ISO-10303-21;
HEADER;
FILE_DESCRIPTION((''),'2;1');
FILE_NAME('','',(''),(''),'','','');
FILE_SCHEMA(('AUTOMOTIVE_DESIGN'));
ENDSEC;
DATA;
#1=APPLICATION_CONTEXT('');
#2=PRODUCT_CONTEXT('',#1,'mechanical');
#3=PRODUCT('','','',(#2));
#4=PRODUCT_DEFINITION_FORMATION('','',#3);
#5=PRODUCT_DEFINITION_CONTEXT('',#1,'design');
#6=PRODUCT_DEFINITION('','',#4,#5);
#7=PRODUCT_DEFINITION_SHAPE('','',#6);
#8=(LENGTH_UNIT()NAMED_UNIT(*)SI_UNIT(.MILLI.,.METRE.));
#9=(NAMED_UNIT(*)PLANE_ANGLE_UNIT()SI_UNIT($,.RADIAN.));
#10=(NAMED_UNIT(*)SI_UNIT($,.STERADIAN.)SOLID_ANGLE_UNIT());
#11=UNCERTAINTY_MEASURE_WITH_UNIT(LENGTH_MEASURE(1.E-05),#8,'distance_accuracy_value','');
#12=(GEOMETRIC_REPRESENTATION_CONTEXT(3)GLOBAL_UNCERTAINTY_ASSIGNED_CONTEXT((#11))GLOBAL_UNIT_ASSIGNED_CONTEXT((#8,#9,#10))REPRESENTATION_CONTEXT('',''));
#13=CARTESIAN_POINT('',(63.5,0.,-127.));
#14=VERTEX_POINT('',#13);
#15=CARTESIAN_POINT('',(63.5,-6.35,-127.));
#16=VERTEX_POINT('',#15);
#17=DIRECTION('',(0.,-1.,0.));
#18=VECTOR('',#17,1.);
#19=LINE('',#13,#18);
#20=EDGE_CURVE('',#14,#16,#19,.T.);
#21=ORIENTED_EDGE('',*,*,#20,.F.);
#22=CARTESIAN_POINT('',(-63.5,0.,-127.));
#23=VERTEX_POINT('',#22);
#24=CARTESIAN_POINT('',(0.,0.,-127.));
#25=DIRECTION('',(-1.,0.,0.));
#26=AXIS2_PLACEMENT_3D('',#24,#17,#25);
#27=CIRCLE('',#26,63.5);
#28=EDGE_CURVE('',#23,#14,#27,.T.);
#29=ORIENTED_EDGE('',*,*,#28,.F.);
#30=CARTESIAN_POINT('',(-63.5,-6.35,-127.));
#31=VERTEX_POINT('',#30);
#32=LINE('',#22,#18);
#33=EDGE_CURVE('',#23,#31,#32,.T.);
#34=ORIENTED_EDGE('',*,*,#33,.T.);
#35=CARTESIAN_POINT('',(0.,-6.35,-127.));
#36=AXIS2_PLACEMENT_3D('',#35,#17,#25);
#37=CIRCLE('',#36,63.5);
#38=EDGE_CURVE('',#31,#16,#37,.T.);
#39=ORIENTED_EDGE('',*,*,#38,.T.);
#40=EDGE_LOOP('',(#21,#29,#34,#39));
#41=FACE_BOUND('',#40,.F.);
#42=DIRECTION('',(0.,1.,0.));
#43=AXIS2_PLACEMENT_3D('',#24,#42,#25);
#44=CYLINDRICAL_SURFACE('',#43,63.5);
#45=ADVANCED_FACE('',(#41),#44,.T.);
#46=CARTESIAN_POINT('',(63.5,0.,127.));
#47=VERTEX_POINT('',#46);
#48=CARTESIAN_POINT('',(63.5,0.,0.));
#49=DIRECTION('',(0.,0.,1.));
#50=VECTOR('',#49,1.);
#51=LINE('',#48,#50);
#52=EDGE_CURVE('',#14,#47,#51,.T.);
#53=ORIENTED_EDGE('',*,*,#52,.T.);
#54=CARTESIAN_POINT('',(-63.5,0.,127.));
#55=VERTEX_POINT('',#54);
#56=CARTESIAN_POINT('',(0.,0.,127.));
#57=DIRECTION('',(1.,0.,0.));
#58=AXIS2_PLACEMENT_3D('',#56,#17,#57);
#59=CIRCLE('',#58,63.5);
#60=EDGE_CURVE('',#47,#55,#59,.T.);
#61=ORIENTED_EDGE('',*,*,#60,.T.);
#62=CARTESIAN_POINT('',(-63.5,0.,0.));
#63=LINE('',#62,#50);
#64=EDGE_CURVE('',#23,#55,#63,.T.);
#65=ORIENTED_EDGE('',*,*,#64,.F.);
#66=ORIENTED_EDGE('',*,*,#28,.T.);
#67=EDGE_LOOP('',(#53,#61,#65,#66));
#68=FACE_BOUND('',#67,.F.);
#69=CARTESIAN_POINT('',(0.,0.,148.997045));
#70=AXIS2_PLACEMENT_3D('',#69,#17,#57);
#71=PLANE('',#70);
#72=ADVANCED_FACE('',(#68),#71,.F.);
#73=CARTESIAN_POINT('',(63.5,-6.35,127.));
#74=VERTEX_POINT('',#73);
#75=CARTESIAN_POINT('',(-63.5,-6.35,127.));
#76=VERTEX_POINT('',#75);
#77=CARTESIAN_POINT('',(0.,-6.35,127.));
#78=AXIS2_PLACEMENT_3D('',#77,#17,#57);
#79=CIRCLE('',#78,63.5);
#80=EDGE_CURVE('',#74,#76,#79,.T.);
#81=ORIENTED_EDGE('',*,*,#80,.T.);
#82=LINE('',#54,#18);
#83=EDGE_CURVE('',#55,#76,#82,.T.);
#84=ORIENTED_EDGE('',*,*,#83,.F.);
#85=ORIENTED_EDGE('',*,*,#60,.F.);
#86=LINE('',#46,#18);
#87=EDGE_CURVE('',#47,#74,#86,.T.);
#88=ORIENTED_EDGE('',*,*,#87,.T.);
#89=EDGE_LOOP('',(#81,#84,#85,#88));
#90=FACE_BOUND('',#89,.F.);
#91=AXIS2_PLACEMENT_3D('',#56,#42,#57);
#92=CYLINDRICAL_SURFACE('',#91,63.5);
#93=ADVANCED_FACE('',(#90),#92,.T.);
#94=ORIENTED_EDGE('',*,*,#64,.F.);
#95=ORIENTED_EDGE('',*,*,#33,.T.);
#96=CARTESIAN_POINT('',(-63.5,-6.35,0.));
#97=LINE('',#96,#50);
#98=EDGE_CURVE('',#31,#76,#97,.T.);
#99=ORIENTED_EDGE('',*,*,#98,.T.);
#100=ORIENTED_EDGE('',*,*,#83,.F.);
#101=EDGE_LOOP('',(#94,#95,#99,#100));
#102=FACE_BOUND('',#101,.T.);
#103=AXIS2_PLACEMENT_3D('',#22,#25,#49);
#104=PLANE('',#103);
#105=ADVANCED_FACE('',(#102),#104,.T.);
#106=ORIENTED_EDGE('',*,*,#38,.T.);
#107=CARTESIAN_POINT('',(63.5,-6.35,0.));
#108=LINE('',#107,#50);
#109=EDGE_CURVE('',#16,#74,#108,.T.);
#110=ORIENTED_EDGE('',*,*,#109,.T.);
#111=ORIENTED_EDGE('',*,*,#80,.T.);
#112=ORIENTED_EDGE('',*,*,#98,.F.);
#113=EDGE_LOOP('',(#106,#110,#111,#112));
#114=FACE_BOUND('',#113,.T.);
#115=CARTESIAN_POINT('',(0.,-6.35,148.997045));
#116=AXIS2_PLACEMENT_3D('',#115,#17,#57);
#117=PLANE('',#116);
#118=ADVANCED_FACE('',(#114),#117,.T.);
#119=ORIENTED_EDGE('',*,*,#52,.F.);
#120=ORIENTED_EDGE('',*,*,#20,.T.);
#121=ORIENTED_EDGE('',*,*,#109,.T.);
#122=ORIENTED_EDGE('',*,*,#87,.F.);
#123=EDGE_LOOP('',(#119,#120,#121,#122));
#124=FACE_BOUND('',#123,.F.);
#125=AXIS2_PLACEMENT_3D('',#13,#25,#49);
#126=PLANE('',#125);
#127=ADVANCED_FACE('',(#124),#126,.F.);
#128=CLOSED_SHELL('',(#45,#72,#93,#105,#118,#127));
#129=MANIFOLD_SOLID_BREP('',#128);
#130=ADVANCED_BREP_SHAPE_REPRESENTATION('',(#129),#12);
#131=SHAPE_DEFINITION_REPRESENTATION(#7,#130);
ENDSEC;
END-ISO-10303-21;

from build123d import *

# Parameters (mm, degrees)
F0_W     = 127
F0_H     = 254
F1_DEPTH = 6.35


with BuildPart() as f1:
    # F0 (on Front) → F1 (new body)
    with BuildSketch(Plane.XZ):
        with BuildLine():
            ThreePointArc((63.5, 127), (0, 190.5), (-63.5, 127))
            Line((-63.5, 127), (63.5, 127))
        make_face()
        Rectangle(F0_W, F0_H)
        with BuildLine():
            Line((63.5, -127), (-63.5, -127))
            ThreePointArc((-63.5, -127), (0, -190.5), (63.5, -127))
        make_face()
    extrude(amount=F1_DEPTH)


solid = f1.part
